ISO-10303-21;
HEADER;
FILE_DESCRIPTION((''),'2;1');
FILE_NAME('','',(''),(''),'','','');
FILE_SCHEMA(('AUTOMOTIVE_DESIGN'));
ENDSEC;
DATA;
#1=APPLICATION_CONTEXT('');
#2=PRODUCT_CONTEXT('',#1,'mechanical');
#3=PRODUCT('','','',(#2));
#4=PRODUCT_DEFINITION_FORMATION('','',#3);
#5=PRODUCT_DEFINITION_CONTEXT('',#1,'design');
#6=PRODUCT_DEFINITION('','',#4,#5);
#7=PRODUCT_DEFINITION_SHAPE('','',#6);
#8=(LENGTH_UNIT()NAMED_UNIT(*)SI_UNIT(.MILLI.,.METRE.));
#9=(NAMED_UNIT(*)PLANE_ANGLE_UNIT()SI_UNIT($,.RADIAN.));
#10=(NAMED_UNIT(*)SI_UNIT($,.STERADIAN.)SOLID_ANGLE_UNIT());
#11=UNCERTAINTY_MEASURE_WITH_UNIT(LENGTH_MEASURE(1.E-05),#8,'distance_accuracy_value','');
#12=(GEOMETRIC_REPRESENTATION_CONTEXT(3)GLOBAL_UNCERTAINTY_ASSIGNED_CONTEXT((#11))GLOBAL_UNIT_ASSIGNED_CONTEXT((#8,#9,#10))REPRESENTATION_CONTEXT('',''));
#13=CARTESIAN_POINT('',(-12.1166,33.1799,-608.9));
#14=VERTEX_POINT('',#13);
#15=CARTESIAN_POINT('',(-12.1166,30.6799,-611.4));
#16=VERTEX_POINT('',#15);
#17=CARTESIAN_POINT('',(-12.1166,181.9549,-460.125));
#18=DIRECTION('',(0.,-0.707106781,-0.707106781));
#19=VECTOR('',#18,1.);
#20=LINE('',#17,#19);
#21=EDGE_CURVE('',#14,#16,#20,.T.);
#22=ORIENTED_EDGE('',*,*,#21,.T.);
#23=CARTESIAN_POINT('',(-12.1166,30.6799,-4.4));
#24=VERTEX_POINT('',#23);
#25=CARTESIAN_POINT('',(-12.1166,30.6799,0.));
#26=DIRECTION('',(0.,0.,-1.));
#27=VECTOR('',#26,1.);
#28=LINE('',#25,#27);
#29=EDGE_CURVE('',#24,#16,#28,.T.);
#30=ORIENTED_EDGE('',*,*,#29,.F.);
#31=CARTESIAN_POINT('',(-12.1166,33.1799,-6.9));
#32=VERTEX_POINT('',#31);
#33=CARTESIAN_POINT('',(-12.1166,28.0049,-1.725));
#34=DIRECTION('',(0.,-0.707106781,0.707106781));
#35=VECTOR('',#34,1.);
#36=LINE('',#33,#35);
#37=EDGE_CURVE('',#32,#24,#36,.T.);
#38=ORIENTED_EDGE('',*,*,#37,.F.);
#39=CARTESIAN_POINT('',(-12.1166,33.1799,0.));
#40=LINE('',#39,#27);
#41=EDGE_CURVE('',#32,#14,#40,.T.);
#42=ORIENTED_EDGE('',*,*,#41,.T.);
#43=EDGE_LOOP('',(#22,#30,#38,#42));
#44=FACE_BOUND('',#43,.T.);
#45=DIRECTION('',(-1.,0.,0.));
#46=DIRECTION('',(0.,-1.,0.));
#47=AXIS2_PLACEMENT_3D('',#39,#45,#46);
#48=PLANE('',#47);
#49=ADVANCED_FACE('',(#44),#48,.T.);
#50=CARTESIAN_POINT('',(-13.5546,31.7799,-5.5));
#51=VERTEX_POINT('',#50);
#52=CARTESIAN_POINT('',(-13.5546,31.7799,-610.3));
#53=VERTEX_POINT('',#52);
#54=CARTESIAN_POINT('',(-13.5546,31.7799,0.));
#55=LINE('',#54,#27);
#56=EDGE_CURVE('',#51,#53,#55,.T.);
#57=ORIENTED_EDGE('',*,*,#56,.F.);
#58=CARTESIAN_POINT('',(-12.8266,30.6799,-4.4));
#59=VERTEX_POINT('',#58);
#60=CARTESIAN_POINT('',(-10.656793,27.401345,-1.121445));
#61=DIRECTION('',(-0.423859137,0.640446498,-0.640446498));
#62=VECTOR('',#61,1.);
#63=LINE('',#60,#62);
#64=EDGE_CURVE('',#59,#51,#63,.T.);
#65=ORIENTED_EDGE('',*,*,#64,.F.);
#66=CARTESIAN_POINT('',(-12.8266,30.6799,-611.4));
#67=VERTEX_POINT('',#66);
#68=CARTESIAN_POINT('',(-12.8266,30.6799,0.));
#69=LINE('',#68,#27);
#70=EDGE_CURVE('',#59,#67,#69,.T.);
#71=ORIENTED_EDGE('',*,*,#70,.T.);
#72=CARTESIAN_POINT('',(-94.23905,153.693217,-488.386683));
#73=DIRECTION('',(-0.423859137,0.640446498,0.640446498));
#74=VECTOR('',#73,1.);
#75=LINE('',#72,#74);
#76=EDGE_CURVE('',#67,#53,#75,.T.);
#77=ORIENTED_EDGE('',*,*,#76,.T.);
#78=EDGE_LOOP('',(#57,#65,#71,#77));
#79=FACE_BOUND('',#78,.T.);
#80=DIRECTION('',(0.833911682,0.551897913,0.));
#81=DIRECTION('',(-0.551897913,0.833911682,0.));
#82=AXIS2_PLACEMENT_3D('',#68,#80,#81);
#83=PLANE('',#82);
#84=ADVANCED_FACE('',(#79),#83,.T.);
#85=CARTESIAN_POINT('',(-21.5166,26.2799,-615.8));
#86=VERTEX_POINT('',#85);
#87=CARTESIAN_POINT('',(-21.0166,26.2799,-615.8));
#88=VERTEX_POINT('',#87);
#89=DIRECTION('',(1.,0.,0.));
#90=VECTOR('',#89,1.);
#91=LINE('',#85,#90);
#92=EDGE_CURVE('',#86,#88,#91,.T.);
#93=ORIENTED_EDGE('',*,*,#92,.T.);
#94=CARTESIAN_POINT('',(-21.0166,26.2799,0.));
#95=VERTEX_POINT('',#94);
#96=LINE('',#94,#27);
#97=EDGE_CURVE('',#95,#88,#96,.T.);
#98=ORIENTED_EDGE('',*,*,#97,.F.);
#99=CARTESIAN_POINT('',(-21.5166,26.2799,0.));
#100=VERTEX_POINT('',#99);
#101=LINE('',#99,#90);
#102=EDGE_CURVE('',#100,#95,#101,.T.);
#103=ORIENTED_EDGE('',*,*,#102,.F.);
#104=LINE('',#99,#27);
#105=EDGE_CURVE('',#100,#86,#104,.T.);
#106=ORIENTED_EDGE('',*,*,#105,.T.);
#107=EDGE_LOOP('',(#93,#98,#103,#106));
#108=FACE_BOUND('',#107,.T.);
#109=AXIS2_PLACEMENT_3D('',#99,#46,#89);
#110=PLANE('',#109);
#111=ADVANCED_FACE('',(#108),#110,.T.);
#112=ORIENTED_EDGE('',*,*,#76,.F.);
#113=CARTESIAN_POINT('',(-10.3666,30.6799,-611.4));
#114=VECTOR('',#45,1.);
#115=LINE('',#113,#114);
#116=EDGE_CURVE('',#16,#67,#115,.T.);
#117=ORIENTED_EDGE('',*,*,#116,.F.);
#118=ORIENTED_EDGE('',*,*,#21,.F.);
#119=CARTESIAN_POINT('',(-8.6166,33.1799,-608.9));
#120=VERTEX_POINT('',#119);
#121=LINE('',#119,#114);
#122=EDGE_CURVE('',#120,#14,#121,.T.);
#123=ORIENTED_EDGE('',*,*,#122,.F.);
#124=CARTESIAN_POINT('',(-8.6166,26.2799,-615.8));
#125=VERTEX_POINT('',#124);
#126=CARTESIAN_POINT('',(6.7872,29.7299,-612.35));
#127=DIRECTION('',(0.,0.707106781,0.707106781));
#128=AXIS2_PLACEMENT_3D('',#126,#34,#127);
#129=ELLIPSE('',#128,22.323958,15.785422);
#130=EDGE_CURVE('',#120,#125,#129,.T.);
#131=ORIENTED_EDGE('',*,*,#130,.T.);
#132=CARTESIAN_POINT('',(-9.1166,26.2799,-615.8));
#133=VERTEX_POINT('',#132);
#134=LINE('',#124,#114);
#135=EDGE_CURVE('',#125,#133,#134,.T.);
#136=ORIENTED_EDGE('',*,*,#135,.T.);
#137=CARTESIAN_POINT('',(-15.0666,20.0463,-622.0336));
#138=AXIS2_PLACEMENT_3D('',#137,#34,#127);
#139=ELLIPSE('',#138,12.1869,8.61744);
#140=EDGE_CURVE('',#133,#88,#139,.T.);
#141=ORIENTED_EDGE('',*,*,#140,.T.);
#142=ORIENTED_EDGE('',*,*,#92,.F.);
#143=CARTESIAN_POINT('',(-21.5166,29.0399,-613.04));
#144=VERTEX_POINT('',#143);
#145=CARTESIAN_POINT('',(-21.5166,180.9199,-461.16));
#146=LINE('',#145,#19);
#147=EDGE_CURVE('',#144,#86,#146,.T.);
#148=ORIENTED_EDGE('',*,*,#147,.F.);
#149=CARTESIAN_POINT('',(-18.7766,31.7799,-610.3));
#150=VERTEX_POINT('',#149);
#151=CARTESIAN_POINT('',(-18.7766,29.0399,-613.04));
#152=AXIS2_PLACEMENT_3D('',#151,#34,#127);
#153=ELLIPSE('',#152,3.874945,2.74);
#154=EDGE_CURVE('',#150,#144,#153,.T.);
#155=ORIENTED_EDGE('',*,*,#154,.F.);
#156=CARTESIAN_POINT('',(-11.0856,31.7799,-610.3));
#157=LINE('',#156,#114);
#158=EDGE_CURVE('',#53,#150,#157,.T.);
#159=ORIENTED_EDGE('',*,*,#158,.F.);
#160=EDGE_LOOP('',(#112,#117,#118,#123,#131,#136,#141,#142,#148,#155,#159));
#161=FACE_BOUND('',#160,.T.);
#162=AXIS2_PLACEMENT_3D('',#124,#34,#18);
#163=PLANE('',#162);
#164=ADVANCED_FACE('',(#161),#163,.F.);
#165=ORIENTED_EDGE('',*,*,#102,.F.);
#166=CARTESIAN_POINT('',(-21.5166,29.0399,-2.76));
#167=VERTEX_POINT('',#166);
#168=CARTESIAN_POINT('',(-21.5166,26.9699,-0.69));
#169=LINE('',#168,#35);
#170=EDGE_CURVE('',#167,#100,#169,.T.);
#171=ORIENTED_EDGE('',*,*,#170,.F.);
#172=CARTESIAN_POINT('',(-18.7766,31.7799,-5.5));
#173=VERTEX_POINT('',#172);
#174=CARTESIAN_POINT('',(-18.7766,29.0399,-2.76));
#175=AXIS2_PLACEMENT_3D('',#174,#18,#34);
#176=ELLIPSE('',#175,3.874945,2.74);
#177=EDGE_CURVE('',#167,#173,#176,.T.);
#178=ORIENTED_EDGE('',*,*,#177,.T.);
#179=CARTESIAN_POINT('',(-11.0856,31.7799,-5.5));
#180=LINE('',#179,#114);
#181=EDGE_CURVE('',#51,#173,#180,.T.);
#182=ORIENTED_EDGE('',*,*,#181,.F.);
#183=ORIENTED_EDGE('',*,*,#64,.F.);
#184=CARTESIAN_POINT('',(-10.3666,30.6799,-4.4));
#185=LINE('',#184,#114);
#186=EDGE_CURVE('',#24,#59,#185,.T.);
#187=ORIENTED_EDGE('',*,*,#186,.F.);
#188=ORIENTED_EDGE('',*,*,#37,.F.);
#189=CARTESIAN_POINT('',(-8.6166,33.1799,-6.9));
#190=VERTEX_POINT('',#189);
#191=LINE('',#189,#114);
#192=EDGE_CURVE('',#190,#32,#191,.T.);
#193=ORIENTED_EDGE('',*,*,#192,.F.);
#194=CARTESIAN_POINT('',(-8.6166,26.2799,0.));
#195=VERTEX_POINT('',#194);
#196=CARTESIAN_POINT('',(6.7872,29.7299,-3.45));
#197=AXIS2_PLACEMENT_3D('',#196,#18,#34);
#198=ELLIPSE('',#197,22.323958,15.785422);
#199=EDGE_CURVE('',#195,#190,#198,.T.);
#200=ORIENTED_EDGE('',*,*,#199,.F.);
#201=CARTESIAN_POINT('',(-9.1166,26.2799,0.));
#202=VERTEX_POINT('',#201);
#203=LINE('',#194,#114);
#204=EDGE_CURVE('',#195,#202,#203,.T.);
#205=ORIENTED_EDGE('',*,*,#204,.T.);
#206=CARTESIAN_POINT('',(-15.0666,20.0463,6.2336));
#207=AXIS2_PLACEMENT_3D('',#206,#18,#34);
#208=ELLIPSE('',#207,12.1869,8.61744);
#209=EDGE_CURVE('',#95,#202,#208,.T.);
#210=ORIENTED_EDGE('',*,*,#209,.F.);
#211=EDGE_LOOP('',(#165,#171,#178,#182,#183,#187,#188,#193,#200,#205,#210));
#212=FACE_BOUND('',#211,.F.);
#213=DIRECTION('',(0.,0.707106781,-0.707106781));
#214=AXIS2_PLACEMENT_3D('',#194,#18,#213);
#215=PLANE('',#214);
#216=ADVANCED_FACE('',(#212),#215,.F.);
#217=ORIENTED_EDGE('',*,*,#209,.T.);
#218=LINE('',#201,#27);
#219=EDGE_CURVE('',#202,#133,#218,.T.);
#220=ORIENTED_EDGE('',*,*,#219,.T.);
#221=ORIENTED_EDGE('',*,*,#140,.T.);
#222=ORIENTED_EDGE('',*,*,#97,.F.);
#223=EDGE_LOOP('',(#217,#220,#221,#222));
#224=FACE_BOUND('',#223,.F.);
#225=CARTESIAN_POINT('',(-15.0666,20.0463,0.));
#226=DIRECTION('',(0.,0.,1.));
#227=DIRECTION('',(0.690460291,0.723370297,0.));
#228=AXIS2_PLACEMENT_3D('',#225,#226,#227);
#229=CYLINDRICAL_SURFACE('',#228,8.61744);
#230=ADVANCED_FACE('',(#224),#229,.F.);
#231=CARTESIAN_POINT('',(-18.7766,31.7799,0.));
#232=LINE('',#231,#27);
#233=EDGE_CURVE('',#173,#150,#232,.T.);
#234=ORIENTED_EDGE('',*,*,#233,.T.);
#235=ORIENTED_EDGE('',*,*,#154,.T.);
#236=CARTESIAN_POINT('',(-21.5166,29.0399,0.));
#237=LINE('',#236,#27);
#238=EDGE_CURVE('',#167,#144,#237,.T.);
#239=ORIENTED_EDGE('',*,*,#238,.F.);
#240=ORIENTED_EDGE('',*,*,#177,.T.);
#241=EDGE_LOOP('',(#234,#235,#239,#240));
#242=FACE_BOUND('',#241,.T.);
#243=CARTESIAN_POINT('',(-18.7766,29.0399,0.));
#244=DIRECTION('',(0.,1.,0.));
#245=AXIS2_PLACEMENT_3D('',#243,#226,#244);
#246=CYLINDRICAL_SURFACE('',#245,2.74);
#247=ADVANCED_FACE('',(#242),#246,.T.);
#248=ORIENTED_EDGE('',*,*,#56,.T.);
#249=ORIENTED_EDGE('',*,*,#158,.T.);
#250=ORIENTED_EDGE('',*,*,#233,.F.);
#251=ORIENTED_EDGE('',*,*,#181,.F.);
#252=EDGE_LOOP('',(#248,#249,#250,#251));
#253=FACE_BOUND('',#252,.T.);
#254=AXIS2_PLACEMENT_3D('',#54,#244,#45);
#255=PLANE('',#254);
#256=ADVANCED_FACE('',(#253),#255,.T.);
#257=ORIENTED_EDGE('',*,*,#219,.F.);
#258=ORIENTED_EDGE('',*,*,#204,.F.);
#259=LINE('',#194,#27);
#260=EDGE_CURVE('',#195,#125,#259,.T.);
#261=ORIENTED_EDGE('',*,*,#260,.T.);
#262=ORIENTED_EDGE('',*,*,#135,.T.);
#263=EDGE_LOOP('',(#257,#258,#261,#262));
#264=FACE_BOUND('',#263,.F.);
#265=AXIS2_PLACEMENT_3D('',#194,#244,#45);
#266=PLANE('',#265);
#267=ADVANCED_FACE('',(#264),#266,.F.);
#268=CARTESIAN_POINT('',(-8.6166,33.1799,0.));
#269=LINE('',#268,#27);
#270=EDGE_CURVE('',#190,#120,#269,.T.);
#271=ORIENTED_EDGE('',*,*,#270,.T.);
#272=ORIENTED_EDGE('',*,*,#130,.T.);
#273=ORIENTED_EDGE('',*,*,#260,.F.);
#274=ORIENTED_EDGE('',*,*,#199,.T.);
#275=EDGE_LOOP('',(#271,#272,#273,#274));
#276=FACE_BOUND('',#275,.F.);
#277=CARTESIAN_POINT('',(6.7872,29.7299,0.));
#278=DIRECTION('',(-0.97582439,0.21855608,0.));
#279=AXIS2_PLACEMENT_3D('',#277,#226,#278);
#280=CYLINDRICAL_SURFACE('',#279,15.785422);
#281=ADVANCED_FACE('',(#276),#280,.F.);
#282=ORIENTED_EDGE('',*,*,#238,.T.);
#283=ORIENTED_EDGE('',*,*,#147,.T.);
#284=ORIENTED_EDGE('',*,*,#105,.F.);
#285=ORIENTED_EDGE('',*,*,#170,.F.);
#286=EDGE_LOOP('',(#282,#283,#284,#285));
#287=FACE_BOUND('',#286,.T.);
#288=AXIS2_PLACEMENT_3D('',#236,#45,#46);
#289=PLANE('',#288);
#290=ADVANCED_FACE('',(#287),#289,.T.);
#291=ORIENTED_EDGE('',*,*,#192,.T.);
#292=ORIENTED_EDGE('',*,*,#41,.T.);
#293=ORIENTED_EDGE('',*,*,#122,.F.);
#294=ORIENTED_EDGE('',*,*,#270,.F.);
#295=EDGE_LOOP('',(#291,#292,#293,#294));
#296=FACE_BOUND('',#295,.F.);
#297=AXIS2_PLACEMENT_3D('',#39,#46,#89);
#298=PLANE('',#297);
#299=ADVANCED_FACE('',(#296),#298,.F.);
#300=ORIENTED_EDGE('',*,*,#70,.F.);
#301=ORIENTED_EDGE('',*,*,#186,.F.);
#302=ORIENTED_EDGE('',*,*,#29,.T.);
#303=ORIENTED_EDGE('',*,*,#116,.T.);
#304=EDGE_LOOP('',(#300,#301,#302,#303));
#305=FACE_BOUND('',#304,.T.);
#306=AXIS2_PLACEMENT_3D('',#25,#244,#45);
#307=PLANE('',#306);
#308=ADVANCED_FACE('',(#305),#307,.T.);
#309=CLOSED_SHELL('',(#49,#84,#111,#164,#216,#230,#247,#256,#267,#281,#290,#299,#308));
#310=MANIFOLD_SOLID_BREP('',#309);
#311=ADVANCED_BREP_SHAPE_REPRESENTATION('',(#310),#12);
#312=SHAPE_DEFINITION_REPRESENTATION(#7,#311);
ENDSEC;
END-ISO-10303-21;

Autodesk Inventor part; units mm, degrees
ref_plane "YZ Plane" through (0, 0, 0) normal (1, 0, 0) x (0, 1, 0)
sketch "Boceto3" plane through (0, 0, 0) normal (0, 0, 1) x (1, 0, 0)
  line L0 (-13.5546, 31.7799) -> (-18.7766, 31.7799)
  line L1 (-12.1166, 33.1799) -> (-12.1166, 30.6799)
  line L2 (-12.1166, 30.6799) -> (-12.8266, 30.6799)
  line L3 (-12.8266, 30.6799) -> (-13.5546, 31.7799)
  arc A0 (-18.7766, 31.7799) -> (-21.5166, 29.0399) centre (-18.7766, 29.0399) ccw
  line L4 (-12.1166, 33.1799) -> (-8.6166, 33.1799)
  line L5 (-21.5166, 29.0399) -> (-21.5166, 26.2799)
  arc A1 (-8.6166, 33.1799) -> (-8.6166, 26.2799) centre (6.7872, 29.7299) ccw
  line L6 (-21.5166, 26.2799) -> (-21.0166, 26.2799)
  line L7 (-8.6166, 26.2799) -> (-9.1166, 26.2799)
  line L8 (-8.6166, 38.7215) -> (-8.6166, 22.0906) construction
  arc A2 (-9.1166, 26.2799) -> (-21.0166, 26.2799) centre (-15.0666, 20.0463) ccw
  dimension "d218" = 2.5
  dimension "d219" = 0.71
  dimension "d221" = 33.5
  dimension "d223" = 2.74
  dimension "d281" = 3.5
  dimension "d288" = 2.76
  dimension "d291" = 0.5
  dimension "d292" = 0.5
  dimension "d301" = 5.2219
extrude "Extrusión4" add sketch "Boceto3" against normal blind 615.8
ref_plane "Plano de trabajo1" through (-8.6166, 33.1799, 0) normal (-1, 0, 0) x (0, 0, -1)
ref_plane "Plano de trabajo2" through (0, 0, -307.9) normal (0, 0, 1) x (1, 0, 0)
sketch "Boceto5" plane through (-8.6166, 33.1799, 0) normal (-1, 0, 0) x (0, 0, -1)
  line L0 (0, 0) -> (0, 6.9) projected
  line L1 (0, 0) -> (615.8, 0) projected
  line L2 (6.9, 0) -> (0, 0)
  line L3 (0, 0) -> (0, 6.9)
  line L4 (0, 6.9) -> (615.8, 6.9) projected
  line L5 (0, 6.9) -> (6.9, 0)
  point P0 (0, 0)
  dimension "d300" = 45
extrude "Extrusión6" cut sketch "Boceto5" along normal through all
mirror "Simetría3" about plane through (0, 0, -307.9) normal (0, 0, 1) of "Extrusión6"
properties part number "SP40-02 JUNTA INT CRISTAL 761 mm" material "Caucho"
